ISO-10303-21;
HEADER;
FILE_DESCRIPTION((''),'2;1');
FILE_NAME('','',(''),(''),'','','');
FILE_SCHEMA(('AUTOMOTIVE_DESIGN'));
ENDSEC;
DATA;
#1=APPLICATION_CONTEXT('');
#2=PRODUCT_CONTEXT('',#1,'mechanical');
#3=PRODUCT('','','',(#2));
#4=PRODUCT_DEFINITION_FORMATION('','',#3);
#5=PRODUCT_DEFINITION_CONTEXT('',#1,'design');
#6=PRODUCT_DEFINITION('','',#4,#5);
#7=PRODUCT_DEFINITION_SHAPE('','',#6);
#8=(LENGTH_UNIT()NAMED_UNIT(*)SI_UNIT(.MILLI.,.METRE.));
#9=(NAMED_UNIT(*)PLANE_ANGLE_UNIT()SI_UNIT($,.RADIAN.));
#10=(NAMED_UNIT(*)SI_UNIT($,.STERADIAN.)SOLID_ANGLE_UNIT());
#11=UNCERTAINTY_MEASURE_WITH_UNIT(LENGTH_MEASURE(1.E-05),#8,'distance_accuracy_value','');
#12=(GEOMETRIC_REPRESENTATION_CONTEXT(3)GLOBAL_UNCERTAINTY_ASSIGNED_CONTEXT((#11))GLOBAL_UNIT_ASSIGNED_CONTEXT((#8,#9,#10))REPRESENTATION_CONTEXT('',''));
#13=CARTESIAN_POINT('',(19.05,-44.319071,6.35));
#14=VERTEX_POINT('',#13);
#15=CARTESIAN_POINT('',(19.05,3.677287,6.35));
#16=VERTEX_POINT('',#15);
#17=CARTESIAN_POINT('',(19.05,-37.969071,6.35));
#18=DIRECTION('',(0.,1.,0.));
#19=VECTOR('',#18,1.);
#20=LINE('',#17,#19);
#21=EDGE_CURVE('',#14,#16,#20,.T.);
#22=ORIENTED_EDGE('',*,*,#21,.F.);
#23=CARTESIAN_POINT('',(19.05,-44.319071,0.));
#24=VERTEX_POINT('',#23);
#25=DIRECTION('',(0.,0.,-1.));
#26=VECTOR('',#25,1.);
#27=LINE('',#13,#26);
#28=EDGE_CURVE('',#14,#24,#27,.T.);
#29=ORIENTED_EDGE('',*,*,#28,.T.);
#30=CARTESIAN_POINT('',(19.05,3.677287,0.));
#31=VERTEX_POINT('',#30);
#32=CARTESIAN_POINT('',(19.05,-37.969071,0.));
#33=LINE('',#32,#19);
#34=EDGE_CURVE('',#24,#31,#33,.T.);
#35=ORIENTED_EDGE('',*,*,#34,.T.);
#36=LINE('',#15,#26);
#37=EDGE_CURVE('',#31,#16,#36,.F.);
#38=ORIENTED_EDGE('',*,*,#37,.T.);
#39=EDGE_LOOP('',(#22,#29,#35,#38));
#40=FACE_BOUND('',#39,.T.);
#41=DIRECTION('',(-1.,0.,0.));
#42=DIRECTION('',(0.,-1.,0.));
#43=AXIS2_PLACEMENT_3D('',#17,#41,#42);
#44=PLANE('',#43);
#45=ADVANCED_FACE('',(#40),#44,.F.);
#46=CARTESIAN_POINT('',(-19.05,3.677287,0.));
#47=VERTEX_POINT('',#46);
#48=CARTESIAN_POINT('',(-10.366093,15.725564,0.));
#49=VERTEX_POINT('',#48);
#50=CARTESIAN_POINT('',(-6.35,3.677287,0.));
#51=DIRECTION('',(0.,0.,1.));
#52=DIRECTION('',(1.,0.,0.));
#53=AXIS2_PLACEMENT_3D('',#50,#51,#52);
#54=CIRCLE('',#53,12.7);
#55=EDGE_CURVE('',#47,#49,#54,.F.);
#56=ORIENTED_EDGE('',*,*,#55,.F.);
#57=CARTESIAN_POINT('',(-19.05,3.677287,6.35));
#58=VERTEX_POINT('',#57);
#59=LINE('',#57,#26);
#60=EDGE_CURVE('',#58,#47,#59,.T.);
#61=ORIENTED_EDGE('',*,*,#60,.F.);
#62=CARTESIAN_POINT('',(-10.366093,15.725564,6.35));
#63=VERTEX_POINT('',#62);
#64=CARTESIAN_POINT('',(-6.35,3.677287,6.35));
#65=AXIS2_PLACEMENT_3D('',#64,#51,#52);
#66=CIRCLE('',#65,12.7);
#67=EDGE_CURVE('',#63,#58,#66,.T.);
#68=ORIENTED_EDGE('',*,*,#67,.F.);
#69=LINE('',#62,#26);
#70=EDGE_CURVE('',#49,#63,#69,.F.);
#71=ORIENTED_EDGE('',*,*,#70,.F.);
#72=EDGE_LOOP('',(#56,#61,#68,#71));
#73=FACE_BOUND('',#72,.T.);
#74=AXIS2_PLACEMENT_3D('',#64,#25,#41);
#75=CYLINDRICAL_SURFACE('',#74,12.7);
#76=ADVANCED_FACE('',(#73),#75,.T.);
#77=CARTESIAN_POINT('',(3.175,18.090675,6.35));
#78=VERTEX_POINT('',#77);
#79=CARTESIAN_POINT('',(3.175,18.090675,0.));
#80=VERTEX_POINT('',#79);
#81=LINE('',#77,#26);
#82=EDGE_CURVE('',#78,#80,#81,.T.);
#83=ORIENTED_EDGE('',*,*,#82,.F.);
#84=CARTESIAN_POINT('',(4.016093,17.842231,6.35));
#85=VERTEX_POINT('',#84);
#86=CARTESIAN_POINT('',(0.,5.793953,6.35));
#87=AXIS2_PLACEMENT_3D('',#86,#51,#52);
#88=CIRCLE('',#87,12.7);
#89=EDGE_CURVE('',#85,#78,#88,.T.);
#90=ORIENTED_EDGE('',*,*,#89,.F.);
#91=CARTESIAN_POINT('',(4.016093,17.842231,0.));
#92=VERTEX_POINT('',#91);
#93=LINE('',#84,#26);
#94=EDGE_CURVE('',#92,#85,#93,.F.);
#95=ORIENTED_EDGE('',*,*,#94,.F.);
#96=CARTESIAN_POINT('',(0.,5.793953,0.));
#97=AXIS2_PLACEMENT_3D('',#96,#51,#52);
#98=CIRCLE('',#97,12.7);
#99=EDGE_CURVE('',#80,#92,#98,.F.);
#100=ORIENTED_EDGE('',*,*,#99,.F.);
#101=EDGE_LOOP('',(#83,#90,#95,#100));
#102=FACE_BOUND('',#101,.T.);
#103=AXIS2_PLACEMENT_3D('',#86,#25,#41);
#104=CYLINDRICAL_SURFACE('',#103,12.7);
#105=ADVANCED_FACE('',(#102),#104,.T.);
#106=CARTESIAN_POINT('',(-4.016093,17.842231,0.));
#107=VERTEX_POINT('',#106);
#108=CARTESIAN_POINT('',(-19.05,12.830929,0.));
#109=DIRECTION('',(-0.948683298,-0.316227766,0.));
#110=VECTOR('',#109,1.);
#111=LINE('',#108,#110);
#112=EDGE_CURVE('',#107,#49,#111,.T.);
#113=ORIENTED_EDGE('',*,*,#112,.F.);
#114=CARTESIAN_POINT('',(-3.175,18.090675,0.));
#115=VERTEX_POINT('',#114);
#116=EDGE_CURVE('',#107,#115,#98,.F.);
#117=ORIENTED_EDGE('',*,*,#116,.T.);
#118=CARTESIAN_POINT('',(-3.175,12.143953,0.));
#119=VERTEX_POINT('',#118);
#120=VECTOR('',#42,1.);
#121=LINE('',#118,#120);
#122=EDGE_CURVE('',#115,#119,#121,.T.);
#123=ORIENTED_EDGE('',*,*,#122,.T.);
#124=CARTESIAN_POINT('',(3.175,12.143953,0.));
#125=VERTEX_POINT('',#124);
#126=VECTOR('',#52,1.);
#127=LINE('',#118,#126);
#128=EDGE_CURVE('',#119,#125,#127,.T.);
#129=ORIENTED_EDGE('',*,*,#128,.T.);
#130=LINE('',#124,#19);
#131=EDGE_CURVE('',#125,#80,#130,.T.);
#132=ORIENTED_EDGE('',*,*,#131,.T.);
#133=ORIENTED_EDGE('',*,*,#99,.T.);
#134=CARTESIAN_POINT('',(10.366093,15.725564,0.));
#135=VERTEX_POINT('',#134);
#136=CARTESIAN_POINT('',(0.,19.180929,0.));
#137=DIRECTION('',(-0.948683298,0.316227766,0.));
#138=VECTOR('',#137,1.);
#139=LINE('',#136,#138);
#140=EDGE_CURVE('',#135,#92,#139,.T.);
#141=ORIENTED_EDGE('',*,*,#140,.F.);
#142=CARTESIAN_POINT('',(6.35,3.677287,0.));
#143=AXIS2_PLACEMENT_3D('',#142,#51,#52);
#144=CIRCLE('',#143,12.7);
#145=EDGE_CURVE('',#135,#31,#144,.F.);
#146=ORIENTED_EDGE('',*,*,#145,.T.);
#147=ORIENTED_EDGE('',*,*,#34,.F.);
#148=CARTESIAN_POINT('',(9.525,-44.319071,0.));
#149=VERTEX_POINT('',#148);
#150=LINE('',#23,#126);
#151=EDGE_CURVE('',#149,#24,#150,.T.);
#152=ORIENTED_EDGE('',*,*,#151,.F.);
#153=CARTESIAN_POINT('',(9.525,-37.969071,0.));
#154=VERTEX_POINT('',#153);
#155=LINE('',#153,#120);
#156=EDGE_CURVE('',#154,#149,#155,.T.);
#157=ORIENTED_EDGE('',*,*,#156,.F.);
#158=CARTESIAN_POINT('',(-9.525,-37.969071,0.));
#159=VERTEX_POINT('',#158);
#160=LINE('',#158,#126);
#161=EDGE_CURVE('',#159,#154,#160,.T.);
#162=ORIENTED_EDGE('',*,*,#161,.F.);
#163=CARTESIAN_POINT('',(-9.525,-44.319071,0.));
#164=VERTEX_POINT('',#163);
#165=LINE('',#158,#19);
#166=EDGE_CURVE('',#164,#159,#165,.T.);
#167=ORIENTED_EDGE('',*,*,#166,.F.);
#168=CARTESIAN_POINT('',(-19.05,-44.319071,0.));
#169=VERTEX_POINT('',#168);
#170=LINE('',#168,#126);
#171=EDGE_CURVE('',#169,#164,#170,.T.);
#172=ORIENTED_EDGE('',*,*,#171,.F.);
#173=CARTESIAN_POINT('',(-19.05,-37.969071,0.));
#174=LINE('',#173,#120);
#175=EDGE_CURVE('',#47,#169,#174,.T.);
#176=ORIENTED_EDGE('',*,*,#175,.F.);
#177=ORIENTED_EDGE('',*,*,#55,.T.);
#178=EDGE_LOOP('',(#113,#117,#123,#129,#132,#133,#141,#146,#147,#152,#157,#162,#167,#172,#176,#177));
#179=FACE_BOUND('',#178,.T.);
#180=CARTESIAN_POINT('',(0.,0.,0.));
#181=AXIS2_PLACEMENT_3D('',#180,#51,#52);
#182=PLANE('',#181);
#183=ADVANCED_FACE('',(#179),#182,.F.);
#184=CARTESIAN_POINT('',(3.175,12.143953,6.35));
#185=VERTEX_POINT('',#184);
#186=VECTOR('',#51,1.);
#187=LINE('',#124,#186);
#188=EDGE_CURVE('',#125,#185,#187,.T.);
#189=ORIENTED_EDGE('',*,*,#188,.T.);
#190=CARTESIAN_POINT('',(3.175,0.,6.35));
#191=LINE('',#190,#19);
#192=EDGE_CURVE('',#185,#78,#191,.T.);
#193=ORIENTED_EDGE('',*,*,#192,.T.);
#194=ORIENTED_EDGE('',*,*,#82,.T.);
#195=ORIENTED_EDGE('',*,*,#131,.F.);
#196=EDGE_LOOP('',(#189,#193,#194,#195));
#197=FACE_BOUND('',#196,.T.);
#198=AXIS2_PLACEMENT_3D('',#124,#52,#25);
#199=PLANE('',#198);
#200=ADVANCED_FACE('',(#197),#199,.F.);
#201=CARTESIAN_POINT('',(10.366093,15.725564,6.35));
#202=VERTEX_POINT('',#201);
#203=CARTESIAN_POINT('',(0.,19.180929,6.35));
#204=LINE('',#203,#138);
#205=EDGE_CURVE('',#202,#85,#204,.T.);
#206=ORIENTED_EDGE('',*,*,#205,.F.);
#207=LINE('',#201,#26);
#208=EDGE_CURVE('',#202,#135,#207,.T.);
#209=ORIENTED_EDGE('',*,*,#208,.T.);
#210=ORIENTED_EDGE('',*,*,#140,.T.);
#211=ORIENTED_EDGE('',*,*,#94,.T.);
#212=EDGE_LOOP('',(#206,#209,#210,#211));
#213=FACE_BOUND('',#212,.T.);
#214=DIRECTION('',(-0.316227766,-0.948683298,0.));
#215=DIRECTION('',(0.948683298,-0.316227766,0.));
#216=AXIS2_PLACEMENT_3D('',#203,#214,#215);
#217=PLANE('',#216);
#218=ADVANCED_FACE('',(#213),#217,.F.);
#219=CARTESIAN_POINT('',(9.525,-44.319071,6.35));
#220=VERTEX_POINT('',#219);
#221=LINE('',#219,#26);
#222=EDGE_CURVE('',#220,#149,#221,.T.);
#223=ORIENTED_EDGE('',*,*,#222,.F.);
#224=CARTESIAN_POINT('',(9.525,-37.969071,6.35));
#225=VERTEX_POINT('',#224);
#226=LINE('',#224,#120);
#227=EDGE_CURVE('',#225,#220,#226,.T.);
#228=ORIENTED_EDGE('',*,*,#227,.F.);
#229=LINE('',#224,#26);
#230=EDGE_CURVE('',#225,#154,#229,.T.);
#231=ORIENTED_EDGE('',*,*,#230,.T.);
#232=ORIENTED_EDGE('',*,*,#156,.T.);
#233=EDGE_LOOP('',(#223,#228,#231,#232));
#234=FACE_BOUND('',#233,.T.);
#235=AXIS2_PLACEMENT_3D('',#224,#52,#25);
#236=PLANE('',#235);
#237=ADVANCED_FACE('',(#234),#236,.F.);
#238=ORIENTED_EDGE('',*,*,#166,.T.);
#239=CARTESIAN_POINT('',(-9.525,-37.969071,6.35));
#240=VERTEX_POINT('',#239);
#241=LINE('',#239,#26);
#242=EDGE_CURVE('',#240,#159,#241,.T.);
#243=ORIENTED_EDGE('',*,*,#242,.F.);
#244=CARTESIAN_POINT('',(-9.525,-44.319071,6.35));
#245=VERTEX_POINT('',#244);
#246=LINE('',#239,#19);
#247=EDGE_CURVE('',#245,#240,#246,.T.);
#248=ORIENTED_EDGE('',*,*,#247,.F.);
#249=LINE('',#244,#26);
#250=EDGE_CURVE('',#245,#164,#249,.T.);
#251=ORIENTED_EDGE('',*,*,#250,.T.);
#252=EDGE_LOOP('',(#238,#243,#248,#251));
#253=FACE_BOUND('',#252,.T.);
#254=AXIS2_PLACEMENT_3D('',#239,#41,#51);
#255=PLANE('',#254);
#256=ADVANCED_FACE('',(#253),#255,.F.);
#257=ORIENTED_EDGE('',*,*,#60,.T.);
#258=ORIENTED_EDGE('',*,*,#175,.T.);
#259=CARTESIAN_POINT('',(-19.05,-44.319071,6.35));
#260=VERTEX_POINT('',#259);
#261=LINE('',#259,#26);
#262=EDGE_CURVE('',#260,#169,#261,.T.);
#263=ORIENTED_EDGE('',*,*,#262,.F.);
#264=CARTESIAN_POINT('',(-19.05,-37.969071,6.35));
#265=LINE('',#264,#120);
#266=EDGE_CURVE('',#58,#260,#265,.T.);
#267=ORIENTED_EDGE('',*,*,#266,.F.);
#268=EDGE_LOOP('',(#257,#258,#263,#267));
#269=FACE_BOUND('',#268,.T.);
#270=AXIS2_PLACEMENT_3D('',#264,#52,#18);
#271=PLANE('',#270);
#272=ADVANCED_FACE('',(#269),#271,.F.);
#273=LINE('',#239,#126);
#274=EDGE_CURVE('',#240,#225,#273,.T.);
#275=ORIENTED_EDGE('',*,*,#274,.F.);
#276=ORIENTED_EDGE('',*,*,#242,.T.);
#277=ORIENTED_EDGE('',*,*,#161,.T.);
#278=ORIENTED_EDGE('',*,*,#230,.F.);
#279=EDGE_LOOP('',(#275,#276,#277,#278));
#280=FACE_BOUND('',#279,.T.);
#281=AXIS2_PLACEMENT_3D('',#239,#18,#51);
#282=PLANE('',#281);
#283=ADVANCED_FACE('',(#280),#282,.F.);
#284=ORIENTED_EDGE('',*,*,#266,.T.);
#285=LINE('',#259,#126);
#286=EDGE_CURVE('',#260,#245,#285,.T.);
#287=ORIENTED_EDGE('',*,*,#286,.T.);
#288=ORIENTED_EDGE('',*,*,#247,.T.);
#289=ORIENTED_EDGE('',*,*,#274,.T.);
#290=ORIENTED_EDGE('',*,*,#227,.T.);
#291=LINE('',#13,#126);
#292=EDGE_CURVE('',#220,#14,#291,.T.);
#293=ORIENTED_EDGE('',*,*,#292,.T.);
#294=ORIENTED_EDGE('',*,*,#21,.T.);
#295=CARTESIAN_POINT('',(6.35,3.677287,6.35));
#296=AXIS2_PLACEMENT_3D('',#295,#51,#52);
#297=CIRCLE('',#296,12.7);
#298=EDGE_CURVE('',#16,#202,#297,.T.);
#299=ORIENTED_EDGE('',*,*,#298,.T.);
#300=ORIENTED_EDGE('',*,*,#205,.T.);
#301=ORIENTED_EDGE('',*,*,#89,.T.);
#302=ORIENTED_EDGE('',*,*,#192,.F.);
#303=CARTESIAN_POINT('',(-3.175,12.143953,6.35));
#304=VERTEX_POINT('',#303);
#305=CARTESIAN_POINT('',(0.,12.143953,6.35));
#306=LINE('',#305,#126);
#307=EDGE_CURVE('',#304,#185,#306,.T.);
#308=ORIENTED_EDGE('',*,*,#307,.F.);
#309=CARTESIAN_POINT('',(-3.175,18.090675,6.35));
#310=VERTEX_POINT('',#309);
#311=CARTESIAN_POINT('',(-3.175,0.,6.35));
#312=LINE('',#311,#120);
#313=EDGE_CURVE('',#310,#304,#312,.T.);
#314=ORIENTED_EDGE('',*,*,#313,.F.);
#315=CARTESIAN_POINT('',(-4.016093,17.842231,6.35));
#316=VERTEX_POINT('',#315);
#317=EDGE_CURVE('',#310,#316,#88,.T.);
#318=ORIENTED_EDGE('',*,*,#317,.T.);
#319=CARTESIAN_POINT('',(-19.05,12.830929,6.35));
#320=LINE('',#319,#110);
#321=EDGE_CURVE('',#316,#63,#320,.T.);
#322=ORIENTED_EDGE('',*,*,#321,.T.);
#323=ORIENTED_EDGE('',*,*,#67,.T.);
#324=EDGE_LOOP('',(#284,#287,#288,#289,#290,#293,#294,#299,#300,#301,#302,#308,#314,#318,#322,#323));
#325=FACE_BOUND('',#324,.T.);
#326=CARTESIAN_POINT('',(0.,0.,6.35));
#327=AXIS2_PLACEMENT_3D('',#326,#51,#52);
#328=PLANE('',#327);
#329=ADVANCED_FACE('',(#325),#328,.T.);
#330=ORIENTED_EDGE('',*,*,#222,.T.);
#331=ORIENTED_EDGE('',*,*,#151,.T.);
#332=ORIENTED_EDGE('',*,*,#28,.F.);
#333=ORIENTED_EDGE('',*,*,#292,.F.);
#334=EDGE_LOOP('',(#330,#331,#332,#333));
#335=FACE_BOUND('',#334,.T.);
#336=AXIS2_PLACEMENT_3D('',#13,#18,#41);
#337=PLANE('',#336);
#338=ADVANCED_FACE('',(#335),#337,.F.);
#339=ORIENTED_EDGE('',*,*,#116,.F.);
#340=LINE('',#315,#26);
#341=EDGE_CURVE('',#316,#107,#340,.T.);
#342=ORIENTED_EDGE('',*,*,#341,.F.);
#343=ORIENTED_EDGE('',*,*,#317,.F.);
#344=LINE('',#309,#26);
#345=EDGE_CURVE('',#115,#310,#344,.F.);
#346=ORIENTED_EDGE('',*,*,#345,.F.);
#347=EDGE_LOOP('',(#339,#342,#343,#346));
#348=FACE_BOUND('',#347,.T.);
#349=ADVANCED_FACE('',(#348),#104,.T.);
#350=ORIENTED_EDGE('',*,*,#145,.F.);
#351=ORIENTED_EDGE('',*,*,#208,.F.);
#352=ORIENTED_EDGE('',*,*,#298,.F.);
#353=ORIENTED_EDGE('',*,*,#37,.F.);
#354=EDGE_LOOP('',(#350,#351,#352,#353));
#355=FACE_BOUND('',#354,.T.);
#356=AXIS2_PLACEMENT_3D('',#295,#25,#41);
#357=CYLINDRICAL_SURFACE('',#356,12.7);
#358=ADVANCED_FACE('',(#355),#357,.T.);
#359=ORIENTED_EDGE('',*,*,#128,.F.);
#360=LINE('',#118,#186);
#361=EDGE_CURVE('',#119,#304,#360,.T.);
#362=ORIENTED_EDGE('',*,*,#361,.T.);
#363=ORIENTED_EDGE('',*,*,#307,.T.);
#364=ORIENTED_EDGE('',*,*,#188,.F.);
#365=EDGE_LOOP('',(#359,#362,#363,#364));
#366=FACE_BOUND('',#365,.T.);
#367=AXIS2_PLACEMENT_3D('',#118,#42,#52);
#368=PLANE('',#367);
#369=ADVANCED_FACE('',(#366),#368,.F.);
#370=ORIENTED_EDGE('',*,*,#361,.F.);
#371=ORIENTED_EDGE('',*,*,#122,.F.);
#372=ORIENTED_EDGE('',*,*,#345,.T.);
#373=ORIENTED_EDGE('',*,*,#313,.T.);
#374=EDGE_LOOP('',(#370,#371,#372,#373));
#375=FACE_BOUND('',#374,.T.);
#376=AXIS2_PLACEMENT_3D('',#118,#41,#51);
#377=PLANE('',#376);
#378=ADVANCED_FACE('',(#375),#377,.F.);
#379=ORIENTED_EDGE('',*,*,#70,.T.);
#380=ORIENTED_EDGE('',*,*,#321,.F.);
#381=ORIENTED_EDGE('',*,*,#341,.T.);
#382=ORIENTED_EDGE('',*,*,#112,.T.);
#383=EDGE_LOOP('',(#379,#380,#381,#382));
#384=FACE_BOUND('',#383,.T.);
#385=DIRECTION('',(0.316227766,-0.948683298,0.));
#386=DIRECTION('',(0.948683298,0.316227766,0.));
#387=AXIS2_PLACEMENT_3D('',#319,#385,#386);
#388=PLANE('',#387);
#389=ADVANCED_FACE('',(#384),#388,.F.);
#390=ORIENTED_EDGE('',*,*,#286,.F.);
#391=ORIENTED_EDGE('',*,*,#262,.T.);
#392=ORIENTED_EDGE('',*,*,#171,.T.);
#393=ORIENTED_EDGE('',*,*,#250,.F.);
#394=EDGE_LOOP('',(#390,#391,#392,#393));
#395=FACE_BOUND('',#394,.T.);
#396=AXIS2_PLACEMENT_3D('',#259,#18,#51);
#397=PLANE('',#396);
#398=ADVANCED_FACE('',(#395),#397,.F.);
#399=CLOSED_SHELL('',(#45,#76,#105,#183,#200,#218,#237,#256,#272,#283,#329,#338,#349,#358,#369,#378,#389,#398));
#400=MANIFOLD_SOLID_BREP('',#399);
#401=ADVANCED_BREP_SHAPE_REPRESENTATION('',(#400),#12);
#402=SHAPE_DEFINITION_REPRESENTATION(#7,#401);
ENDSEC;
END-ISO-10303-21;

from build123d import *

# Parameters (mm, degrees)
BOSS_EXTRUDE1_DEPTH     = 6.35
FILLET1_R               = 12.7
CUT_EXTRUDE1_DEPTH      = 49.655987184
CUT_EXTRUDE1_DEPTH_BACK = 49.655987184
SKETCH5_W               = 6.35
SKETCH5_H               = 12.7


with BuildPart() as part:
    # Sketch1 → Boss-Extrude1 (new body)
    with BuildSketch(Plane.XY):
        Polygon((-9.525, -37.96907139), (9.525, -37.96907139), (9.525, -44.31907139), (19.05, -44.31907139), (19.05, -37.96907139), (19.05, 12.83092861), (0, 19.18092861), (-19.05, 12.83092861), (-19.05, -37.96907139), (-19.05, -44.31907139), (-9.525, -44.31907139), align=None)
    extrude(amount=BOSS_EXTRUDE1_DEPTH)

    # Fillet1
    fillet1_edges = [part.edges().sort_by_distance(p)[0] for p in [
        (-19.05, 12.83092861, 3.175),
        (0, 19.18092861, 3.175),
        (19.05, 12.83092861, 3.175),
    ]]
    fillet(fillet1_edges, radius=FILLET1_R)

    # Sketch5 → Cut-Extrude1 (cut, two sides: drawn at the far end of the back side and taken through both)
    with BuildSketch(Plane.XY.offset(6.35).offset(-CUT_EXTRUDE1_DEPTH_BACK)):
        with Locations((0, 18.493953182)):
            Rectangle(SKETCH5_W, SKETCH5_H)
    extrude(amount=CUT_EXTRUDE1_DEPTH + CUT_EXTRUDE1_DEPTH_BACK, mode=Mode.SUBTRACT)


solid = part.part
